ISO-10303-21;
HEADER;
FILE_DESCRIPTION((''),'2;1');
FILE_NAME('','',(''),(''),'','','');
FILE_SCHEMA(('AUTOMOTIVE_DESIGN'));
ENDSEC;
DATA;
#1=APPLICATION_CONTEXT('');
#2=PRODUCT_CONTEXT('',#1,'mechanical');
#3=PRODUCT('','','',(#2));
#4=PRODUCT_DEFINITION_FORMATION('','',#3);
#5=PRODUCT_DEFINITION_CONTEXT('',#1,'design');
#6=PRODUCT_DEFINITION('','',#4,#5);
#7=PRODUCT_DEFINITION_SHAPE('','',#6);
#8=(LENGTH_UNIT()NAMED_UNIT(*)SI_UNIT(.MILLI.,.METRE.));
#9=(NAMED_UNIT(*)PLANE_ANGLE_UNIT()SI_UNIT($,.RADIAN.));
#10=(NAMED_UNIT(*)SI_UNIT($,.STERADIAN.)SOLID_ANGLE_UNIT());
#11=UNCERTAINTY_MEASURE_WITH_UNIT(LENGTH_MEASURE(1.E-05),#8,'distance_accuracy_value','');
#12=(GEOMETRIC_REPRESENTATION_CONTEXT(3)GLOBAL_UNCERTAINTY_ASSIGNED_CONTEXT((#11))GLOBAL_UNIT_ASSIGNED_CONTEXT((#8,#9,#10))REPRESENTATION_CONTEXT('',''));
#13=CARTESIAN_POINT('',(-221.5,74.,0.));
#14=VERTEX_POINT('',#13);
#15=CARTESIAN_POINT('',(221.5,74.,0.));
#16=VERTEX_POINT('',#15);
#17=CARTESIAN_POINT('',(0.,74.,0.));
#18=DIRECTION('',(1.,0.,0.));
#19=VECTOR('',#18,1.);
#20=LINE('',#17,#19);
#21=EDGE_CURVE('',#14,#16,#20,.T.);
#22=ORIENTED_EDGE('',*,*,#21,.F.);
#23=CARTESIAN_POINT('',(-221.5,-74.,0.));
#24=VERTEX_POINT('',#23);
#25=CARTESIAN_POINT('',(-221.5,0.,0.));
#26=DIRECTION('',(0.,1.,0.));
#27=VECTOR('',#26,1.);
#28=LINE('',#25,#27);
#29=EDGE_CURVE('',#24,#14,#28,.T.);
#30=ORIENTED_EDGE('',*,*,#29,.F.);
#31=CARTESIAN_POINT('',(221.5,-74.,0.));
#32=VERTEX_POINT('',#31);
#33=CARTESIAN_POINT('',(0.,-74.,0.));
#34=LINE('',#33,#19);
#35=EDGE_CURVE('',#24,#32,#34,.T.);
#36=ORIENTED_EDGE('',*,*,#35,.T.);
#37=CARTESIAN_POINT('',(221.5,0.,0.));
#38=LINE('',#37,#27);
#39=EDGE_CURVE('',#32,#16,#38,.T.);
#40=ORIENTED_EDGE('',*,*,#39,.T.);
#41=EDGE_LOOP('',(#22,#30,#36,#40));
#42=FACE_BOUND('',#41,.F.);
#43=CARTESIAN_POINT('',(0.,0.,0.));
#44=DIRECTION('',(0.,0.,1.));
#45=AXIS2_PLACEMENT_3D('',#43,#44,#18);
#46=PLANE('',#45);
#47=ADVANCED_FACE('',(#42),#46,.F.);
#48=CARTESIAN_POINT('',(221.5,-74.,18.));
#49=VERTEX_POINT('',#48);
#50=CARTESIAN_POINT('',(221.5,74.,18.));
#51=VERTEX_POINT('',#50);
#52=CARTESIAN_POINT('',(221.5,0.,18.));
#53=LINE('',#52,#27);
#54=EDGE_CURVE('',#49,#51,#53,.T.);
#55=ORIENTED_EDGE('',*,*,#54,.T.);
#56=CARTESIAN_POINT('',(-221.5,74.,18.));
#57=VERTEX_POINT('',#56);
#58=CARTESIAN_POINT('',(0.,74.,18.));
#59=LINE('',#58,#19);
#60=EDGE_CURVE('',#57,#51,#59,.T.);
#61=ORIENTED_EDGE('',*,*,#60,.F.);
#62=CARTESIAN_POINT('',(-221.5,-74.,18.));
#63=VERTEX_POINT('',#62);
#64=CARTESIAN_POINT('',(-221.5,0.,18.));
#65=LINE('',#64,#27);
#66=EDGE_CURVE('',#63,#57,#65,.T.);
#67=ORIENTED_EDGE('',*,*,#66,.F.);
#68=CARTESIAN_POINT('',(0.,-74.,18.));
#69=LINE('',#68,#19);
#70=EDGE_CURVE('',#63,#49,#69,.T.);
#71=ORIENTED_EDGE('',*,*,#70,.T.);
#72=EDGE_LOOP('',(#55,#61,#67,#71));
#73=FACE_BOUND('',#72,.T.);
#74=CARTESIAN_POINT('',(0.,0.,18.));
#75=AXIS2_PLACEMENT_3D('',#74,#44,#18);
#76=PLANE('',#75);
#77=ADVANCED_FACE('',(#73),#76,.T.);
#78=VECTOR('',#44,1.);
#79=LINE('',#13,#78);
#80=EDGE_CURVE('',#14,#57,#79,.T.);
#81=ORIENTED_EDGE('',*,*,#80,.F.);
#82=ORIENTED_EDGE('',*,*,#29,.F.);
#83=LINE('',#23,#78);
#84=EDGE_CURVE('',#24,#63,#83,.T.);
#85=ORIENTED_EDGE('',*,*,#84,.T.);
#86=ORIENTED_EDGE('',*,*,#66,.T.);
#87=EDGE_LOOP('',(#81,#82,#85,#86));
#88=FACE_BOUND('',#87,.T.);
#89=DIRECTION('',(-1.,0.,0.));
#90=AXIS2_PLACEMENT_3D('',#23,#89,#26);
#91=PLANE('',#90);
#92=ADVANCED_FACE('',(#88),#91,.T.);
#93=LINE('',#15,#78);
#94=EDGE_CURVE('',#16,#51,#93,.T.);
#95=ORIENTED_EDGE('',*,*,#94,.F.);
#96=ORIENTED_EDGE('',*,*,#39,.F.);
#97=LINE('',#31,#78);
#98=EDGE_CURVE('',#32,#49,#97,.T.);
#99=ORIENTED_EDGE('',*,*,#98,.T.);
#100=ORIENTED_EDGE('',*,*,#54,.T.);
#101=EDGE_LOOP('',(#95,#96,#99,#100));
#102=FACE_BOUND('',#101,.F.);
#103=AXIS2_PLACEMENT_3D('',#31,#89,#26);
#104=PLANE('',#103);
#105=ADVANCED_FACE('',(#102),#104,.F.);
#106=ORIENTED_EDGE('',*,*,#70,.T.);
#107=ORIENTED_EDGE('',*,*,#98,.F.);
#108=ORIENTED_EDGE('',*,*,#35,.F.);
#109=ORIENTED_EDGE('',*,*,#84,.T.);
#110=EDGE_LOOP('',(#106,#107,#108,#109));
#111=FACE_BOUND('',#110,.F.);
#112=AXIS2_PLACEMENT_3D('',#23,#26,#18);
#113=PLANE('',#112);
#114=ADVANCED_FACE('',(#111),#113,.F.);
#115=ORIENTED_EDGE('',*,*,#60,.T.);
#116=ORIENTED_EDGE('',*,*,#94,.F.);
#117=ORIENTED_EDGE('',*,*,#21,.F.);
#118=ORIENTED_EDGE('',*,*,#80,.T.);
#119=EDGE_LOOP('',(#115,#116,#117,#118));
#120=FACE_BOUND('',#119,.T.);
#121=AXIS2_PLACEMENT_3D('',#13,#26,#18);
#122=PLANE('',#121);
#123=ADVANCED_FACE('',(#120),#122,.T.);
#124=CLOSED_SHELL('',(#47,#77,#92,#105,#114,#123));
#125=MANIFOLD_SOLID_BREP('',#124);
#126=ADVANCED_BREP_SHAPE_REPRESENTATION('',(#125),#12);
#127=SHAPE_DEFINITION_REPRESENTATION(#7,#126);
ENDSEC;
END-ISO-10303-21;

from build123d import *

# Parameters (mm, degrees)
SKETCH_W  = 443
SKETCH_H  = 148
PAD_DEPTH = 18


with BuildPart() as part:
    # Sketch → Pad (new body)
    with BuildSketch(Plane.XY):
        Rectangle(SKETCH_W, SKETCH_H)
    extrude(amount=PAD_DEPTH)


solid = part.part
